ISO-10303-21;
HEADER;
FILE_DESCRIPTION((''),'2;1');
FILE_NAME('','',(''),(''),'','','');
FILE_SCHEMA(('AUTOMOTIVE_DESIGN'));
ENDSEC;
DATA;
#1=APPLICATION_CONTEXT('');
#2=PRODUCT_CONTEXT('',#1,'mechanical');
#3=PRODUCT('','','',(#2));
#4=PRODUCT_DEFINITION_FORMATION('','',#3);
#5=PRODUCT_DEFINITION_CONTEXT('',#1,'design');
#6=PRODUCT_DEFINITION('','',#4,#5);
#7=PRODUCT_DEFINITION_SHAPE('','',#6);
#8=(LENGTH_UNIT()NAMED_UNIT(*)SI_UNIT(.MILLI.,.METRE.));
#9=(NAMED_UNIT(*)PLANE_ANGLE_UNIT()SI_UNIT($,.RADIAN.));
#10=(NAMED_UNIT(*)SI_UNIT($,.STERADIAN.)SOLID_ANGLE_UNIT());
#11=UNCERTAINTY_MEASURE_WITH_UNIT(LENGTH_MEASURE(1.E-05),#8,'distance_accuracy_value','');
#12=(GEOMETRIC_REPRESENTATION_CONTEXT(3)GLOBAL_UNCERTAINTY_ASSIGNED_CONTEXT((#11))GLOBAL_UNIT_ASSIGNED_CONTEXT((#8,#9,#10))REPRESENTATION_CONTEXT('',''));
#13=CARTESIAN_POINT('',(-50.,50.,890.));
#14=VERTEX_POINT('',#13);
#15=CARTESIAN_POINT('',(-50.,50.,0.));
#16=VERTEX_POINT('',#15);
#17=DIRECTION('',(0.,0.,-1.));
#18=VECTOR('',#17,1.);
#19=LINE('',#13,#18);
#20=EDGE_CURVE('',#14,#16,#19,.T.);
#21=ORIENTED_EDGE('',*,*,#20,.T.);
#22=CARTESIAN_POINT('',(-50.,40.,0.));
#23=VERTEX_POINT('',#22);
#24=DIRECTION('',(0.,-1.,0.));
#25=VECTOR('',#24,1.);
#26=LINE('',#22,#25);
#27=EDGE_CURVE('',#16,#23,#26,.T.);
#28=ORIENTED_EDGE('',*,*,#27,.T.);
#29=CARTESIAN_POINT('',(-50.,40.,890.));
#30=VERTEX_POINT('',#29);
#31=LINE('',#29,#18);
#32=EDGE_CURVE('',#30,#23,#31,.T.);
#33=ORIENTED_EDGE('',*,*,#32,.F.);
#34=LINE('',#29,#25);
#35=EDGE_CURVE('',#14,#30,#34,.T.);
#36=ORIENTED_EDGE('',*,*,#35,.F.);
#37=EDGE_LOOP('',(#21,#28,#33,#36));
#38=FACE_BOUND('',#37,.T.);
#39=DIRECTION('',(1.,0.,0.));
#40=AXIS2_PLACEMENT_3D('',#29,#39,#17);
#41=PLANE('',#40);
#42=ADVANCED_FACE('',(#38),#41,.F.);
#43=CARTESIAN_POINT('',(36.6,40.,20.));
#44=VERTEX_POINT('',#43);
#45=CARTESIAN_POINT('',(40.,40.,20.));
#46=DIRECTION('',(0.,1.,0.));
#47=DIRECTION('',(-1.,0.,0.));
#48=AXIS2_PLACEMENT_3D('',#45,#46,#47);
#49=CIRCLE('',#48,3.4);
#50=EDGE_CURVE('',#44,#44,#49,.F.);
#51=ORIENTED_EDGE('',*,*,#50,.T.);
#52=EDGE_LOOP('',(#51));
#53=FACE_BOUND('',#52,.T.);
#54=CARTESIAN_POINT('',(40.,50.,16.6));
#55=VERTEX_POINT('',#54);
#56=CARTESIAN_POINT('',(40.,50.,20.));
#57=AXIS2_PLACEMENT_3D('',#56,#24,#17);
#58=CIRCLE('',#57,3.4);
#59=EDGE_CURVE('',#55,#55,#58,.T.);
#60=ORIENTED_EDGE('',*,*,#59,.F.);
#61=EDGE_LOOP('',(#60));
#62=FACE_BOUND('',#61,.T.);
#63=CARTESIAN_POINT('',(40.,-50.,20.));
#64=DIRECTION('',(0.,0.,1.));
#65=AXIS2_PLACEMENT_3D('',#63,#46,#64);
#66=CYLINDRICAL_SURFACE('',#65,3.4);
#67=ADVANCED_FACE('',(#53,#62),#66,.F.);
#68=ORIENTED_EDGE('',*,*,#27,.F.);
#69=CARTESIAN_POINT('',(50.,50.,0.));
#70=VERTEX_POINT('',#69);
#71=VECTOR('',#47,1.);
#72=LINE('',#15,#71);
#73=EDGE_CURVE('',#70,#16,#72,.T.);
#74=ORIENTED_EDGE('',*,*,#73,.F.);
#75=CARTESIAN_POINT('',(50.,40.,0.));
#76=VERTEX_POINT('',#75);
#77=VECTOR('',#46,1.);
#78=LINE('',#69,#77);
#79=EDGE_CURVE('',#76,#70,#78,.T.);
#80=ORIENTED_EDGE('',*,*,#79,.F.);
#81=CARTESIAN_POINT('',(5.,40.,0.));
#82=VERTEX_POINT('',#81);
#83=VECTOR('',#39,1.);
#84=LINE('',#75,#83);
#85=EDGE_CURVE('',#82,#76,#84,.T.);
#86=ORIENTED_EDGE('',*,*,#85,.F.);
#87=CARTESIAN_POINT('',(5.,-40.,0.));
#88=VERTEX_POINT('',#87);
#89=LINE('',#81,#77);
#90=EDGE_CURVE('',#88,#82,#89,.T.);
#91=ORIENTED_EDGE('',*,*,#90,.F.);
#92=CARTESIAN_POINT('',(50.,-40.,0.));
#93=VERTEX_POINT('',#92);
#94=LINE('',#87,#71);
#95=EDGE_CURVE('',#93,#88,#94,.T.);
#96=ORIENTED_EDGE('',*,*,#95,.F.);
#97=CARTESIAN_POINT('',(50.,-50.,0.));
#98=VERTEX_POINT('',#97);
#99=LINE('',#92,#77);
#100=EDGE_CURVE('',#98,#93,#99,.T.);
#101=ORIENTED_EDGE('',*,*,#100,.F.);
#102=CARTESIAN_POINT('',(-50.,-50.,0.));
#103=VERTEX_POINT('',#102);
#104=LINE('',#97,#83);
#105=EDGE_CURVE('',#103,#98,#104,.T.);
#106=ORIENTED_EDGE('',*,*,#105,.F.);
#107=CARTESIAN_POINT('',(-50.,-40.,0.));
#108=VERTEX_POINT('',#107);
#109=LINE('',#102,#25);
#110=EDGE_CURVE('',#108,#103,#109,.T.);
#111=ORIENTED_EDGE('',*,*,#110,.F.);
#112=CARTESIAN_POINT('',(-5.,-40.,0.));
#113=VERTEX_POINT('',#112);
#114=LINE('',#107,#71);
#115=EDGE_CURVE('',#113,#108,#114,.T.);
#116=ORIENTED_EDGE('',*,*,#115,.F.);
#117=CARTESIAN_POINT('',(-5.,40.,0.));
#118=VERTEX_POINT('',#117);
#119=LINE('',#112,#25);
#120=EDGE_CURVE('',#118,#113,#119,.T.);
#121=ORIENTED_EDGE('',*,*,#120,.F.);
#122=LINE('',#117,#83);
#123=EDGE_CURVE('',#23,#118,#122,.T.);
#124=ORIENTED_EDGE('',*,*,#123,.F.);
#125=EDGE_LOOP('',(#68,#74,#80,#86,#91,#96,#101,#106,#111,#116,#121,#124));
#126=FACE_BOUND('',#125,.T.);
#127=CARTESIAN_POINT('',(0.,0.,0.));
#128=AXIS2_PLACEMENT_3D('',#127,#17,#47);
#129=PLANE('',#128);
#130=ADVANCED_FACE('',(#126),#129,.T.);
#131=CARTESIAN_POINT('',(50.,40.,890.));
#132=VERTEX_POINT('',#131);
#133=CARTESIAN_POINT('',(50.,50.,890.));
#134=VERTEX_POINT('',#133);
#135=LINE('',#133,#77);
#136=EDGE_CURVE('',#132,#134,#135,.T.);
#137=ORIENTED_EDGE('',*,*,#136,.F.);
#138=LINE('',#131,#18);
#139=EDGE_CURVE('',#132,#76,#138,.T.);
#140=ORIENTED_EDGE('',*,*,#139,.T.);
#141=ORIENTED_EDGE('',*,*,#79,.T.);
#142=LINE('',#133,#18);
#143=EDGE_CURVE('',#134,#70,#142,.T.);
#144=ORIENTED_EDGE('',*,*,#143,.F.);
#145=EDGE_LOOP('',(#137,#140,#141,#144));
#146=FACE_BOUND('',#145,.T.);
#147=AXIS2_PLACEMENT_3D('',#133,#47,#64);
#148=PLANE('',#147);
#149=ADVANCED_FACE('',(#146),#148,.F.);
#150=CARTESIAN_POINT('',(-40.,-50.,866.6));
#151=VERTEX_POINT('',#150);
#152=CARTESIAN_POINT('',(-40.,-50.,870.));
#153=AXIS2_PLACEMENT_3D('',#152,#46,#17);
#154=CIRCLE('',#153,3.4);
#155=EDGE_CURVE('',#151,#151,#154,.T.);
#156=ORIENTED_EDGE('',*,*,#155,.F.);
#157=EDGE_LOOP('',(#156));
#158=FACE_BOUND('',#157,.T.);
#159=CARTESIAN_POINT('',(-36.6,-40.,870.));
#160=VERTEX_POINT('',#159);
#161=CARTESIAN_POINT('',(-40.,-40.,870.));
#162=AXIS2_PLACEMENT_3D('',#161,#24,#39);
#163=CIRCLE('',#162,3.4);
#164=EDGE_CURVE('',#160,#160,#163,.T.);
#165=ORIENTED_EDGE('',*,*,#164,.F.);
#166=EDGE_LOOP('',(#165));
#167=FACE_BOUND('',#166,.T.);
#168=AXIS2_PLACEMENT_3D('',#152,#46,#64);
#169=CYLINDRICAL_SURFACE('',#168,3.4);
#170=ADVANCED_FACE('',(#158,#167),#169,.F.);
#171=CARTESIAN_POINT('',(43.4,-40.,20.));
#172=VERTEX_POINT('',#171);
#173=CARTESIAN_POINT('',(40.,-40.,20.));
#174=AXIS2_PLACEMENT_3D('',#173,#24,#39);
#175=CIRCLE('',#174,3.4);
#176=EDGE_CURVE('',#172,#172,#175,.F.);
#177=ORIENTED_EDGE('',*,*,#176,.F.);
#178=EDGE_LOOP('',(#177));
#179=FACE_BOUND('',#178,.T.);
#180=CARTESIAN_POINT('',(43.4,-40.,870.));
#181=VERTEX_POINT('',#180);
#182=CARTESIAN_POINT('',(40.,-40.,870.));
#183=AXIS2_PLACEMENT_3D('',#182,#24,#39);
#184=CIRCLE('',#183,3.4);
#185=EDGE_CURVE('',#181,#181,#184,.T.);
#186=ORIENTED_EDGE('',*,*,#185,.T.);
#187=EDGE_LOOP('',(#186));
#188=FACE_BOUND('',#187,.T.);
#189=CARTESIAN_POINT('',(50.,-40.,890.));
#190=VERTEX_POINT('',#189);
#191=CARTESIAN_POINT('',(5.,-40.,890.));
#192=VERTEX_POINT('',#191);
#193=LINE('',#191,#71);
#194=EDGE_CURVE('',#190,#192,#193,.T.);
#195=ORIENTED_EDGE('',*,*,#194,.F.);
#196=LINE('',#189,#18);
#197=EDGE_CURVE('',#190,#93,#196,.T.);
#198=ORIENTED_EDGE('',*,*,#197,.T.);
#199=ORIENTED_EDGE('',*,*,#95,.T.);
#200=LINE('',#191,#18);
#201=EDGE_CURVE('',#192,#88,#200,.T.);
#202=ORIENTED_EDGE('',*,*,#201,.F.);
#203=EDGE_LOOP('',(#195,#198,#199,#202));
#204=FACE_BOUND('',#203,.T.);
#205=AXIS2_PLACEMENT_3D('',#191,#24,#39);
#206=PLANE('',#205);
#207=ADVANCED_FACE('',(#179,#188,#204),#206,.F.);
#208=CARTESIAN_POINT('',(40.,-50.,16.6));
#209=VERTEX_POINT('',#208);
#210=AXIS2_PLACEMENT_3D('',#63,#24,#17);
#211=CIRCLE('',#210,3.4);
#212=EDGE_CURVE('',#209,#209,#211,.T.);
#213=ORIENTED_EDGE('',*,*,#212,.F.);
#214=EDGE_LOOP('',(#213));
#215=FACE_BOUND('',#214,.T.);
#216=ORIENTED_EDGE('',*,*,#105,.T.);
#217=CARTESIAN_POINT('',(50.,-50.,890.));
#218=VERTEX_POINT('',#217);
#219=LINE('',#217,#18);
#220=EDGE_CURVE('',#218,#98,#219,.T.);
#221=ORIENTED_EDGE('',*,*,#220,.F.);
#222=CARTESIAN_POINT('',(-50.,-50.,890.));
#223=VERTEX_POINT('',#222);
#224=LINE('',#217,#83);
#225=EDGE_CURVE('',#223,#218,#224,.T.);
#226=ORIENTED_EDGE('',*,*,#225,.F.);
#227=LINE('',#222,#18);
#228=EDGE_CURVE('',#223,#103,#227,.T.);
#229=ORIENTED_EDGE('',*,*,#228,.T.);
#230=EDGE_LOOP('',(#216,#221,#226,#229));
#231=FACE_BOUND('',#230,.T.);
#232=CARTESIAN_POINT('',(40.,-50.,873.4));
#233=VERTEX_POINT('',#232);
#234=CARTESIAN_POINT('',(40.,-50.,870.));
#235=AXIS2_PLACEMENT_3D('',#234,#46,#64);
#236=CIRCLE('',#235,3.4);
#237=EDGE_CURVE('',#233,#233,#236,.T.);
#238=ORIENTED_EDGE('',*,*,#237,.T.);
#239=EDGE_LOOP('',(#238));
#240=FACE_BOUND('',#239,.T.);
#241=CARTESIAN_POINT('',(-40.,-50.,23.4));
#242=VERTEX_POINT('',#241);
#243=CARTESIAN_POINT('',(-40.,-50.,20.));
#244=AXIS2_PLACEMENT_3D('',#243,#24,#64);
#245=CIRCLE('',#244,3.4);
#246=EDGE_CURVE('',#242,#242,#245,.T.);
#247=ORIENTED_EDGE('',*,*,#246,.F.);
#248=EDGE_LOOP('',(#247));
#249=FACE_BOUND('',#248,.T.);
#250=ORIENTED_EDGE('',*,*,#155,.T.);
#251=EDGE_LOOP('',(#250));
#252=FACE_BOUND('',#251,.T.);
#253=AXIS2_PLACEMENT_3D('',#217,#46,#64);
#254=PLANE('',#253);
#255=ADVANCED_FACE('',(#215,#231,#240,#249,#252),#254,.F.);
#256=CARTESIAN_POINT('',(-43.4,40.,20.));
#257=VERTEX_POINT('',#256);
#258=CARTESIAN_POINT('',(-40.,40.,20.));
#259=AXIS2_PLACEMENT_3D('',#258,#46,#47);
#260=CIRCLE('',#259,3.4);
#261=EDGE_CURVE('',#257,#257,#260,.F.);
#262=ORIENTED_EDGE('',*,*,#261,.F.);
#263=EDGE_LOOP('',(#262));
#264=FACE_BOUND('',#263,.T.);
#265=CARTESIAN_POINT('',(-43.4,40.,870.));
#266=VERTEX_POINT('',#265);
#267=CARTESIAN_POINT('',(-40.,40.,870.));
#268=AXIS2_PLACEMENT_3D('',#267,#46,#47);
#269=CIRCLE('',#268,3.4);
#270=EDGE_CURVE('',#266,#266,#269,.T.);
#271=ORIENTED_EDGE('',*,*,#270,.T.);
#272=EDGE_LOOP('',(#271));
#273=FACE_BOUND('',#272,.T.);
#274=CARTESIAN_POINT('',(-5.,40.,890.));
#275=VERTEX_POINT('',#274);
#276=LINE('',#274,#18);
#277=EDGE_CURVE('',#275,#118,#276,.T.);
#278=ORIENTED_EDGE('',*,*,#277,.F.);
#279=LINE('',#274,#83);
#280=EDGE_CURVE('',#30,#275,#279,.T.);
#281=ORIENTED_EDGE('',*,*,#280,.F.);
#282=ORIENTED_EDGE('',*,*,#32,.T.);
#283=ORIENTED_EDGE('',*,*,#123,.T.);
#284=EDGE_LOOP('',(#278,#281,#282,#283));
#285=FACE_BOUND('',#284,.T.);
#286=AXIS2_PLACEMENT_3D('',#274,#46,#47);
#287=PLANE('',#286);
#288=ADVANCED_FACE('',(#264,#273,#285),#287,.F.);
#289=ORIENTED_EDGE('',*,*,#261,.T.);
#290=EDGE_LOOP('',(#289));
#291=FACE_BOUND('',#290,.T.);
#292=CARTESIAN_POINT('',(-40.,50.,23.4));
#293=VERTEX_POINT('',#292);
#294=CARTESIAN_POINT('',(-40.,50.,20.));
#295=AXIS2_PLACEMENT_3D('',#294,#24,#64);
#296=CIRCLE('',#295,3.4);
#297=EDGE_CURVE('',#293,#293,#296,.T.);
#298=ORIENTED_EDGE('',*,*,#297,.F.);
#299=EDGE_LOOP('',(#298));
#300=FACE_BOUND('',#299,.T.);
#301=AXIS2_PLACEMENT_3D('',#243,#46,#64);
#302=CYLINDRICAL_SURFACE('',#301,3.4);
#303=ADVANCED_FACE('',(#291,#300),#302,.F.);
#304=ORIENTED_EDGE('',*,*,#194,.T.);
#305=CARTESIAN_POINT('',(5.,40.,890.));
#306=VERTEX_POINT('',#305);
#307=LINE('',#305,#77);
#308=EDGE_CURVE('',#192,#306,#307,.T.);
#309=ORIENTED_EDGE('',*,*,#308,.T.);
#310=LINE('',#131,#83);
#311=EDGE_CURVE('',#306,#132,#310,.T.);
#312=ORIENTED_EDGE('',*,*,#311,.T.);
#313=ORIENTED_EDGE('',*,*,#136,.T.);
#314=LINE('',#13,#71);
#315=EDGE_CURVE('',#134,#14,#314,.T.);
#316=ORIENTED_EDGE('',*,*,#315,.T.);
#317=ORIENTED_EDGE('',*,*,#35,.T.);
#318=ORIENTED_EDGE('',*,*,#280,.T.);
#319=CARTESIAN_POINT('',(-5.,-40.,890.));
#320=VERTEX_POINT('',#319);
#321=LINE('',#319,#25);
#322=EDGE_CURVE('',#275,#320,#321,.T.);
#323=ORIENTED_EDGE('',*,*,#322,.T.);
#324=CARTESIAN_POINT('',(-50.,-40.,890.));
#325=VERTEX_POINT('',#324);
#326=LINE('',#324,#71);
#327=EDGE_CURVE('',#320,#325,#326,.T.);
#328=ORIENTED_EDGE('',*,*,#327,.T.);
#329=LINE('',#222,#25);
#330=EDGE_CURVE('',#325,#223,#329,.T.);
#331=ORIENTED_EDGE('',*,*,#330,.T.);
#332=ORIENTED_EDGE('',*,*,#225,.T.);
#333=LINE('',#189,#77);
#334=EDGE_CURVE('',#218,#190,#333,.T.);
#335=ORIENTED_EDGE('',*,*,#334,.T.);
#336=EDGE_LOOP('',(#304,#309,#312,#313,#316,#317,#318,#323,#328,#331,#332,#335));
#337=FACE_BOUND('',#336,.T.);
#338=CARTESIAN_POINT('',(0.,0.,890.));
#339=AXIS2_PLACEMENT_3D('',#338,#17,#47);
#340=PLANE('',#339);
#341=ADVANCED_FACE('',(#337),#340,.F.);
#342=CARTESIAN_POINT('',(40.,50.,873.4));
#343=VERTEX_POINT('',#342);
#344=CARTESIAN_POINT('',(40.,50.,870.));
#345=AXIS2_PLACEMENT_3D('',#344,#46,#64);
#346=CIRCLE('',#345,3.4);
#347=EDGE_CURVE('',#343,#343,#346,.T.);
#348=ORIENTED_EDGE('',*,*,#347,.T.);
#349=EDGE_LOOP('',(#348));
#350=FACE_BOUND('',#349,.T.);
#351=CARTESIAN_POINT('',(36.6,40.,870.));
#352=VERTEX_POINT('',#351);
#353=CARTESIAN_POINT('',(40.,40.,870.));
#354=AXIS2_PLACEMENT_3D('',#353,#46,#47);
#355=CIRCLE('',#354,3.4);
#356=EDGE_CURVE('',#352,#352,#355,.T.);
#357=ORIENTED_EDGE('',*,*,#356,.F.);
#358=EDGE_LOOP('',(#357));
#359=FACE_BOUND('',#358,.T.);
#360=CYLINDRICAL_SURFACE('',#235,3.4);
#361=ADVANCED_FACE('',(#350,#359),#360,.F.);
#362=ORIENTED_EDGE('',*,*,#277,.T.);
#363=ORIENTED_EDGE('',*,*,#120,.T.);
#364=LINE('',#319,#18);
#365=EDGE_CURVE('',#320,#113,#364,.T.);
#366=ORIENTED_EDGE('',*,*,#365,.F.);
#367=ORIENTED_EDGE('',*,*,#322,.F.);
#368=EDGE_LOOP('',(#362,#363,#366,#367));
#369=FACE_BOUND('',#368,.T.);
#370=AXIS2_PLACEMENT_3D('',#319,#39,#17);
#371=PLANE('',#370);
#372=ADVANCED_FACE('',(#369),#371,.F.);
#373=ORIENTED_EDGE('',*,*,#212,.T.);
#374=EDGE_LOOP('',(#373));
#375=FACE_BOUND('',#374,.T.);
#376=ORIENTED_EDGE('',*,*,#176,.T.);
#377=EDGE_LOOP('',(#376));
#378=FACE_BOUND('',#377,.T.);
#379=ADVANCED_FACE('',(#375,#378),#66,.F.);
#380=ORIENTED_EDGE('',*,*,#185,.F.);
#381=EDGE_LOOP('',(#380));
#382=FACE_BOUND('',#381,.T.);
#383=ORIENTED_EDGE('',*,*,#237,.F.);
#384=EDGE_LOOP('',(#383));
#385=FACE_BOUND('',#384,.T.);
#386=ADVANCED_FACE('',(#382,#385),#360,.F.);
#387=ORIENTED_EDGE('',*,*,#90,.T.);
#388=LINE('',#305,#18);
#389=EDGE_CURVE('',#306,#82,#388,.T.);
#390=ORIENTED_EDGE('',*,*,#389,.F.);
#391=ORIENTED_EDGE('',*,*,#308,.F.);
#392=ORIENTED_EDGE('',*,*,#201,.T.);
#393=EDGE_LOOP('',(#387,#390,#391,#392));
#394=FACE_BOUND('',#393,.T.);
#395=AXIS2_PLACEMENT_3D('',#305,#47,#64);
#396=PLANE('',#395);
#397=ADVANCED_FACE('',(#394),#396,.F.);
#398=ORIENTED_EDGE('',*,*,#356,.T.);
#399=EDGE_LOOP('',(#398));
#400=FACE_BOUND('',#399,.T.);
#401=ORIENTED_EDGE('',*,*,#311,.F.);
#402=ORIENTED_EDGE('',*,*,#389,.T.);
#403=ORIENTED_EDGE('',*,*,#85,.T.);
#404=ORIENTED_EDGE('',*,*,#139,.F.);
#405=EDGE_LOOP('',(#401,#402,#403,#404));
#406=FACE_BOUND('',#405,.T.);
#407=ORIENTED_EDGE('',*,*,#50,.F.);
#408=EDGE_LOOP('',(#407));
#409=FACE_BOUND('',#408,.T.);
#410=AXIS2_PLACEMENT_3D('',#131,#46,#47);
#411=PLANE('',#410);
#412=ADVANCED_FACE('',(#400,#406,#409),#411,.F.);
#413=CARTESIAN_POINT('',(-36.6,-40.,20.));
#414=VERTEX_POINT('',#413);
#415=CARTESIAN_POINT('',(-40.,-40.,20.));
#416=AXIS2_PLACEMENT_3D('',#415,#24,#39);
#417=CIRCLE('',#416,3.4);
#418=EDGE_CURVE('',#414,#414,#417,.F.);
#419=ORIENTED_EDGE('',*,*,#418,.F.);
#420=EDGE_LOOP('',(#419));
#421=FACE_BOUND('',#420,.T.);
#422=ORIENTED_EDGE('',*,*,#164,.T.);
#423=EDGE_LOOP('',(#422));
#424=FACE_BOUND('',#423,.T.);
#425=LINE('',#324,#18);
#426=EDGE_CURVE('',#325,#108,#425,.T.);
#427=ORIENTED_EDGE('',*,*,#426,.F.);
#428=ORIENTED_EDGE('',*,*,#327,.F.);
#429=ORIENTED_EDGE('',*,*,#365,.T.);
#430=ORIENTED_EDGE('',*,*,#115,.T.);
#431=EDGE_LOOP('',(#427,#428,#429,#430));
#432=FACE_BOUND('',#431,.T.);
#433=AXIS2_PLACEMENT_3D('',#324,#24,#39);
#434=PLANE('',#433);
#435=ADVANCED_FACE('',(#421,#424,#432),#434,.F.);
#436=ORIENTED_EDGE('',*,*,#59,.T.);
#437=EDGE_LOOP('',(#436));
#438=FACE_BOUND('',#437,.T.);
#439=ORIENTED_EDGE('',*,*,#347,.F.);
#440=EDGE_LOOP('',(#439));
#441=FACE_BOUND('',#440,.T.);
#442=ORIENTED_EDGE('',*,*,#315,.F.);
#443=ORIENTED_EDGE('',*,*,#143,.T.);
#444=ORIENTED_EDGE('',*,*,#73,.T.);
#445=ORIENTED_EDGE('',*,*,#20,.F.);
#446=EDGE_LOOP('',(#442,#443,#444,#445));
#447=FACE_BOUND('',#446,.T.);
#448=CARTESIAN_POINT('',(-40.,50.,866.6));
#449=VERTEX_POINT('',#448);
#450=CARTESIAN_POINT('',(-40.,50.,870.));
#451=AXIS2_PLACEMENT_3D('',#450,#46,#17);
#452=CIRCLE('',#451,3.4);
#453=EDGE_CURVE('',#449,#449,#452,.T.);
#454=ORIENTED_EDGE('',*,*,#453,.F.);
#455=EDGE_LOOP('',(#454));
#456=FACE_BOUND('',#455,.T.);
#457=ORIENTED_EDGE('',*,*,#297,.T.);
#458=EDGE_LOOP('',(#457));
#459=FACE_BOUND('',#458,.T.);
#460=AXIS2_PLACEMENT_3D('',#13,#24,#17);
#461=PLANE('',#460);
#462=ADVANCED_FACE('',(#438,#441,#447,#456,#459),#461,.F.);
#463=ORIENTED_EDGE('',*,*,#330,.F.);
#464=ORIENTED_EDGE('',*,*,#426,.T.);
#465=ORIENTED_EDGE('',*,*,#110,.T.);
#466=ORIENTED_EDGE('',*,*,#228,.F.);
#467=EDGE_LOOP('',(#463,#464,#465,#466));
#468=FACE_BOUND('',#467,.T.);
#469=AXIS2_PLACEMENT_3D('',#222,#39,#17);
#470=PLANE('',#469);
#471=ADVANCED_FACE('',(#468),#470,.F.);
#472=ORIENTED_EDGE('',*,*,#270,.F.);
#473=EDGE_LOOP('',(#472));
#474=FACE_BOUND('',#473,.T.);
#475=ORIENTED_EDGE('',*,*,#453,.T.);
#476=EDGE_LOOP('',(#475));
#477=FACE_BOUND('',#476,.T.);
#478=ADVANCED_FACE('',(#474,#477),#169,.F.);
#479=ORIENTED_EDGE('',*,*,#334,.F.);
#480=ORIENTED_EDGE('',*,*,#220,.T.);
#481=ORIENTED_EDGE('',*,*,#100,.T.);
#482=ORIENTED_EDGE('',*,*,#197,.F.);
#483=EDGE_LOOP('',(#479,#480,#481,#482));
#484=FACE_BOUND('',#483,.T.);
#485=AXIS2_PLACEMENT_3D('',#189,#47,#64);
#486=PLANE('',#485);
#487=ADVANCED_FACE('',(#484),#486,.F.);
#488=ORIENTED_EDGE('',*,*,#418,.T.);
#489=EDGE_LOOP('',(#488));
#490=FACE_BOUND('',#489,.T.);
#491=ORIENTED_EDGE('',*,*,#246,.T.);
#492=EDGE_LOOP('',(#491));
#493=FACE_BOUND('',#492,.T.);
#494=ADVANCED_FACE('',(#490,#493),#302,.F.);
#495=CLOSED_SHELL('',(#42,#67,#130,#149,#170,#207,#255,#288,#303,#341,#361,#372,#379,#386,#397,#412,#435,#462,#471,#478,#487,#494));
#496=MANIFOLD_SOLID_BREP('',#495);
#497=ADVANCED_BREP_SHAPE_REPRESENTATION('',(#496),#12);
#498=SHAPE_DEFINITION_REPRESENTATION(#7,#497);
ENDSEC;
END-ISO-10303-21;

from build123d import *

# Parameters (mm, degrees)
AUFSATZ_LINEAR_AUSTRAGEN1_DEPTH = 890
SKIZZE2_R                       = 3.4
SCHNITT_LINEAR_AUSTRAGEN1_DEPTH = 897.994983264


with BuildPart() as part:
    # Skizze1 → Aufsatz-Linear austragen1 (new body)
    with BuildSketch(Plane.XY):
        Polygon((-50, 50), (50, 50), (50, 40), (5, 40), (5, -40), (50, -40), (50, -50), (-50, -50), (-50, -40), (-5, -40), (-5, 40), (-50, 40), align=None)
    extrude(amount=AUFSATZ_LINEAR_AUSTRAGEN1_DEPTH)

    # Skizze2 → Schnitt-Linear austragen1 (cut, through all)
    with BuildSketch(Plane(origin=(0, 50, 0), x_dir=(1, 0, 0), z_dir=(0, 1, 0))):
        with Locations(Location((40, -870, 0), (0, 0, 270))):
            Circle(SKIZZE2_R)
        with Locations(Location((-40, -870, 0), (0, 0, 180))):
            Circle(SKIZZE2_R)
    schnitt_linear_austragen1 = extrude(amount=-SCHNITT_LINEAR_AUSTRAGEN1_DEPTH, mode=Mode.SUBTRACT)

    # Spiegeln1: Schnitt-Linear austragen1 across plane
    add(schnitt_linear_austragen1.mirror(Plane.XY.offset(445)), mode=Mode.SUBTRACT)


solid = part.part
